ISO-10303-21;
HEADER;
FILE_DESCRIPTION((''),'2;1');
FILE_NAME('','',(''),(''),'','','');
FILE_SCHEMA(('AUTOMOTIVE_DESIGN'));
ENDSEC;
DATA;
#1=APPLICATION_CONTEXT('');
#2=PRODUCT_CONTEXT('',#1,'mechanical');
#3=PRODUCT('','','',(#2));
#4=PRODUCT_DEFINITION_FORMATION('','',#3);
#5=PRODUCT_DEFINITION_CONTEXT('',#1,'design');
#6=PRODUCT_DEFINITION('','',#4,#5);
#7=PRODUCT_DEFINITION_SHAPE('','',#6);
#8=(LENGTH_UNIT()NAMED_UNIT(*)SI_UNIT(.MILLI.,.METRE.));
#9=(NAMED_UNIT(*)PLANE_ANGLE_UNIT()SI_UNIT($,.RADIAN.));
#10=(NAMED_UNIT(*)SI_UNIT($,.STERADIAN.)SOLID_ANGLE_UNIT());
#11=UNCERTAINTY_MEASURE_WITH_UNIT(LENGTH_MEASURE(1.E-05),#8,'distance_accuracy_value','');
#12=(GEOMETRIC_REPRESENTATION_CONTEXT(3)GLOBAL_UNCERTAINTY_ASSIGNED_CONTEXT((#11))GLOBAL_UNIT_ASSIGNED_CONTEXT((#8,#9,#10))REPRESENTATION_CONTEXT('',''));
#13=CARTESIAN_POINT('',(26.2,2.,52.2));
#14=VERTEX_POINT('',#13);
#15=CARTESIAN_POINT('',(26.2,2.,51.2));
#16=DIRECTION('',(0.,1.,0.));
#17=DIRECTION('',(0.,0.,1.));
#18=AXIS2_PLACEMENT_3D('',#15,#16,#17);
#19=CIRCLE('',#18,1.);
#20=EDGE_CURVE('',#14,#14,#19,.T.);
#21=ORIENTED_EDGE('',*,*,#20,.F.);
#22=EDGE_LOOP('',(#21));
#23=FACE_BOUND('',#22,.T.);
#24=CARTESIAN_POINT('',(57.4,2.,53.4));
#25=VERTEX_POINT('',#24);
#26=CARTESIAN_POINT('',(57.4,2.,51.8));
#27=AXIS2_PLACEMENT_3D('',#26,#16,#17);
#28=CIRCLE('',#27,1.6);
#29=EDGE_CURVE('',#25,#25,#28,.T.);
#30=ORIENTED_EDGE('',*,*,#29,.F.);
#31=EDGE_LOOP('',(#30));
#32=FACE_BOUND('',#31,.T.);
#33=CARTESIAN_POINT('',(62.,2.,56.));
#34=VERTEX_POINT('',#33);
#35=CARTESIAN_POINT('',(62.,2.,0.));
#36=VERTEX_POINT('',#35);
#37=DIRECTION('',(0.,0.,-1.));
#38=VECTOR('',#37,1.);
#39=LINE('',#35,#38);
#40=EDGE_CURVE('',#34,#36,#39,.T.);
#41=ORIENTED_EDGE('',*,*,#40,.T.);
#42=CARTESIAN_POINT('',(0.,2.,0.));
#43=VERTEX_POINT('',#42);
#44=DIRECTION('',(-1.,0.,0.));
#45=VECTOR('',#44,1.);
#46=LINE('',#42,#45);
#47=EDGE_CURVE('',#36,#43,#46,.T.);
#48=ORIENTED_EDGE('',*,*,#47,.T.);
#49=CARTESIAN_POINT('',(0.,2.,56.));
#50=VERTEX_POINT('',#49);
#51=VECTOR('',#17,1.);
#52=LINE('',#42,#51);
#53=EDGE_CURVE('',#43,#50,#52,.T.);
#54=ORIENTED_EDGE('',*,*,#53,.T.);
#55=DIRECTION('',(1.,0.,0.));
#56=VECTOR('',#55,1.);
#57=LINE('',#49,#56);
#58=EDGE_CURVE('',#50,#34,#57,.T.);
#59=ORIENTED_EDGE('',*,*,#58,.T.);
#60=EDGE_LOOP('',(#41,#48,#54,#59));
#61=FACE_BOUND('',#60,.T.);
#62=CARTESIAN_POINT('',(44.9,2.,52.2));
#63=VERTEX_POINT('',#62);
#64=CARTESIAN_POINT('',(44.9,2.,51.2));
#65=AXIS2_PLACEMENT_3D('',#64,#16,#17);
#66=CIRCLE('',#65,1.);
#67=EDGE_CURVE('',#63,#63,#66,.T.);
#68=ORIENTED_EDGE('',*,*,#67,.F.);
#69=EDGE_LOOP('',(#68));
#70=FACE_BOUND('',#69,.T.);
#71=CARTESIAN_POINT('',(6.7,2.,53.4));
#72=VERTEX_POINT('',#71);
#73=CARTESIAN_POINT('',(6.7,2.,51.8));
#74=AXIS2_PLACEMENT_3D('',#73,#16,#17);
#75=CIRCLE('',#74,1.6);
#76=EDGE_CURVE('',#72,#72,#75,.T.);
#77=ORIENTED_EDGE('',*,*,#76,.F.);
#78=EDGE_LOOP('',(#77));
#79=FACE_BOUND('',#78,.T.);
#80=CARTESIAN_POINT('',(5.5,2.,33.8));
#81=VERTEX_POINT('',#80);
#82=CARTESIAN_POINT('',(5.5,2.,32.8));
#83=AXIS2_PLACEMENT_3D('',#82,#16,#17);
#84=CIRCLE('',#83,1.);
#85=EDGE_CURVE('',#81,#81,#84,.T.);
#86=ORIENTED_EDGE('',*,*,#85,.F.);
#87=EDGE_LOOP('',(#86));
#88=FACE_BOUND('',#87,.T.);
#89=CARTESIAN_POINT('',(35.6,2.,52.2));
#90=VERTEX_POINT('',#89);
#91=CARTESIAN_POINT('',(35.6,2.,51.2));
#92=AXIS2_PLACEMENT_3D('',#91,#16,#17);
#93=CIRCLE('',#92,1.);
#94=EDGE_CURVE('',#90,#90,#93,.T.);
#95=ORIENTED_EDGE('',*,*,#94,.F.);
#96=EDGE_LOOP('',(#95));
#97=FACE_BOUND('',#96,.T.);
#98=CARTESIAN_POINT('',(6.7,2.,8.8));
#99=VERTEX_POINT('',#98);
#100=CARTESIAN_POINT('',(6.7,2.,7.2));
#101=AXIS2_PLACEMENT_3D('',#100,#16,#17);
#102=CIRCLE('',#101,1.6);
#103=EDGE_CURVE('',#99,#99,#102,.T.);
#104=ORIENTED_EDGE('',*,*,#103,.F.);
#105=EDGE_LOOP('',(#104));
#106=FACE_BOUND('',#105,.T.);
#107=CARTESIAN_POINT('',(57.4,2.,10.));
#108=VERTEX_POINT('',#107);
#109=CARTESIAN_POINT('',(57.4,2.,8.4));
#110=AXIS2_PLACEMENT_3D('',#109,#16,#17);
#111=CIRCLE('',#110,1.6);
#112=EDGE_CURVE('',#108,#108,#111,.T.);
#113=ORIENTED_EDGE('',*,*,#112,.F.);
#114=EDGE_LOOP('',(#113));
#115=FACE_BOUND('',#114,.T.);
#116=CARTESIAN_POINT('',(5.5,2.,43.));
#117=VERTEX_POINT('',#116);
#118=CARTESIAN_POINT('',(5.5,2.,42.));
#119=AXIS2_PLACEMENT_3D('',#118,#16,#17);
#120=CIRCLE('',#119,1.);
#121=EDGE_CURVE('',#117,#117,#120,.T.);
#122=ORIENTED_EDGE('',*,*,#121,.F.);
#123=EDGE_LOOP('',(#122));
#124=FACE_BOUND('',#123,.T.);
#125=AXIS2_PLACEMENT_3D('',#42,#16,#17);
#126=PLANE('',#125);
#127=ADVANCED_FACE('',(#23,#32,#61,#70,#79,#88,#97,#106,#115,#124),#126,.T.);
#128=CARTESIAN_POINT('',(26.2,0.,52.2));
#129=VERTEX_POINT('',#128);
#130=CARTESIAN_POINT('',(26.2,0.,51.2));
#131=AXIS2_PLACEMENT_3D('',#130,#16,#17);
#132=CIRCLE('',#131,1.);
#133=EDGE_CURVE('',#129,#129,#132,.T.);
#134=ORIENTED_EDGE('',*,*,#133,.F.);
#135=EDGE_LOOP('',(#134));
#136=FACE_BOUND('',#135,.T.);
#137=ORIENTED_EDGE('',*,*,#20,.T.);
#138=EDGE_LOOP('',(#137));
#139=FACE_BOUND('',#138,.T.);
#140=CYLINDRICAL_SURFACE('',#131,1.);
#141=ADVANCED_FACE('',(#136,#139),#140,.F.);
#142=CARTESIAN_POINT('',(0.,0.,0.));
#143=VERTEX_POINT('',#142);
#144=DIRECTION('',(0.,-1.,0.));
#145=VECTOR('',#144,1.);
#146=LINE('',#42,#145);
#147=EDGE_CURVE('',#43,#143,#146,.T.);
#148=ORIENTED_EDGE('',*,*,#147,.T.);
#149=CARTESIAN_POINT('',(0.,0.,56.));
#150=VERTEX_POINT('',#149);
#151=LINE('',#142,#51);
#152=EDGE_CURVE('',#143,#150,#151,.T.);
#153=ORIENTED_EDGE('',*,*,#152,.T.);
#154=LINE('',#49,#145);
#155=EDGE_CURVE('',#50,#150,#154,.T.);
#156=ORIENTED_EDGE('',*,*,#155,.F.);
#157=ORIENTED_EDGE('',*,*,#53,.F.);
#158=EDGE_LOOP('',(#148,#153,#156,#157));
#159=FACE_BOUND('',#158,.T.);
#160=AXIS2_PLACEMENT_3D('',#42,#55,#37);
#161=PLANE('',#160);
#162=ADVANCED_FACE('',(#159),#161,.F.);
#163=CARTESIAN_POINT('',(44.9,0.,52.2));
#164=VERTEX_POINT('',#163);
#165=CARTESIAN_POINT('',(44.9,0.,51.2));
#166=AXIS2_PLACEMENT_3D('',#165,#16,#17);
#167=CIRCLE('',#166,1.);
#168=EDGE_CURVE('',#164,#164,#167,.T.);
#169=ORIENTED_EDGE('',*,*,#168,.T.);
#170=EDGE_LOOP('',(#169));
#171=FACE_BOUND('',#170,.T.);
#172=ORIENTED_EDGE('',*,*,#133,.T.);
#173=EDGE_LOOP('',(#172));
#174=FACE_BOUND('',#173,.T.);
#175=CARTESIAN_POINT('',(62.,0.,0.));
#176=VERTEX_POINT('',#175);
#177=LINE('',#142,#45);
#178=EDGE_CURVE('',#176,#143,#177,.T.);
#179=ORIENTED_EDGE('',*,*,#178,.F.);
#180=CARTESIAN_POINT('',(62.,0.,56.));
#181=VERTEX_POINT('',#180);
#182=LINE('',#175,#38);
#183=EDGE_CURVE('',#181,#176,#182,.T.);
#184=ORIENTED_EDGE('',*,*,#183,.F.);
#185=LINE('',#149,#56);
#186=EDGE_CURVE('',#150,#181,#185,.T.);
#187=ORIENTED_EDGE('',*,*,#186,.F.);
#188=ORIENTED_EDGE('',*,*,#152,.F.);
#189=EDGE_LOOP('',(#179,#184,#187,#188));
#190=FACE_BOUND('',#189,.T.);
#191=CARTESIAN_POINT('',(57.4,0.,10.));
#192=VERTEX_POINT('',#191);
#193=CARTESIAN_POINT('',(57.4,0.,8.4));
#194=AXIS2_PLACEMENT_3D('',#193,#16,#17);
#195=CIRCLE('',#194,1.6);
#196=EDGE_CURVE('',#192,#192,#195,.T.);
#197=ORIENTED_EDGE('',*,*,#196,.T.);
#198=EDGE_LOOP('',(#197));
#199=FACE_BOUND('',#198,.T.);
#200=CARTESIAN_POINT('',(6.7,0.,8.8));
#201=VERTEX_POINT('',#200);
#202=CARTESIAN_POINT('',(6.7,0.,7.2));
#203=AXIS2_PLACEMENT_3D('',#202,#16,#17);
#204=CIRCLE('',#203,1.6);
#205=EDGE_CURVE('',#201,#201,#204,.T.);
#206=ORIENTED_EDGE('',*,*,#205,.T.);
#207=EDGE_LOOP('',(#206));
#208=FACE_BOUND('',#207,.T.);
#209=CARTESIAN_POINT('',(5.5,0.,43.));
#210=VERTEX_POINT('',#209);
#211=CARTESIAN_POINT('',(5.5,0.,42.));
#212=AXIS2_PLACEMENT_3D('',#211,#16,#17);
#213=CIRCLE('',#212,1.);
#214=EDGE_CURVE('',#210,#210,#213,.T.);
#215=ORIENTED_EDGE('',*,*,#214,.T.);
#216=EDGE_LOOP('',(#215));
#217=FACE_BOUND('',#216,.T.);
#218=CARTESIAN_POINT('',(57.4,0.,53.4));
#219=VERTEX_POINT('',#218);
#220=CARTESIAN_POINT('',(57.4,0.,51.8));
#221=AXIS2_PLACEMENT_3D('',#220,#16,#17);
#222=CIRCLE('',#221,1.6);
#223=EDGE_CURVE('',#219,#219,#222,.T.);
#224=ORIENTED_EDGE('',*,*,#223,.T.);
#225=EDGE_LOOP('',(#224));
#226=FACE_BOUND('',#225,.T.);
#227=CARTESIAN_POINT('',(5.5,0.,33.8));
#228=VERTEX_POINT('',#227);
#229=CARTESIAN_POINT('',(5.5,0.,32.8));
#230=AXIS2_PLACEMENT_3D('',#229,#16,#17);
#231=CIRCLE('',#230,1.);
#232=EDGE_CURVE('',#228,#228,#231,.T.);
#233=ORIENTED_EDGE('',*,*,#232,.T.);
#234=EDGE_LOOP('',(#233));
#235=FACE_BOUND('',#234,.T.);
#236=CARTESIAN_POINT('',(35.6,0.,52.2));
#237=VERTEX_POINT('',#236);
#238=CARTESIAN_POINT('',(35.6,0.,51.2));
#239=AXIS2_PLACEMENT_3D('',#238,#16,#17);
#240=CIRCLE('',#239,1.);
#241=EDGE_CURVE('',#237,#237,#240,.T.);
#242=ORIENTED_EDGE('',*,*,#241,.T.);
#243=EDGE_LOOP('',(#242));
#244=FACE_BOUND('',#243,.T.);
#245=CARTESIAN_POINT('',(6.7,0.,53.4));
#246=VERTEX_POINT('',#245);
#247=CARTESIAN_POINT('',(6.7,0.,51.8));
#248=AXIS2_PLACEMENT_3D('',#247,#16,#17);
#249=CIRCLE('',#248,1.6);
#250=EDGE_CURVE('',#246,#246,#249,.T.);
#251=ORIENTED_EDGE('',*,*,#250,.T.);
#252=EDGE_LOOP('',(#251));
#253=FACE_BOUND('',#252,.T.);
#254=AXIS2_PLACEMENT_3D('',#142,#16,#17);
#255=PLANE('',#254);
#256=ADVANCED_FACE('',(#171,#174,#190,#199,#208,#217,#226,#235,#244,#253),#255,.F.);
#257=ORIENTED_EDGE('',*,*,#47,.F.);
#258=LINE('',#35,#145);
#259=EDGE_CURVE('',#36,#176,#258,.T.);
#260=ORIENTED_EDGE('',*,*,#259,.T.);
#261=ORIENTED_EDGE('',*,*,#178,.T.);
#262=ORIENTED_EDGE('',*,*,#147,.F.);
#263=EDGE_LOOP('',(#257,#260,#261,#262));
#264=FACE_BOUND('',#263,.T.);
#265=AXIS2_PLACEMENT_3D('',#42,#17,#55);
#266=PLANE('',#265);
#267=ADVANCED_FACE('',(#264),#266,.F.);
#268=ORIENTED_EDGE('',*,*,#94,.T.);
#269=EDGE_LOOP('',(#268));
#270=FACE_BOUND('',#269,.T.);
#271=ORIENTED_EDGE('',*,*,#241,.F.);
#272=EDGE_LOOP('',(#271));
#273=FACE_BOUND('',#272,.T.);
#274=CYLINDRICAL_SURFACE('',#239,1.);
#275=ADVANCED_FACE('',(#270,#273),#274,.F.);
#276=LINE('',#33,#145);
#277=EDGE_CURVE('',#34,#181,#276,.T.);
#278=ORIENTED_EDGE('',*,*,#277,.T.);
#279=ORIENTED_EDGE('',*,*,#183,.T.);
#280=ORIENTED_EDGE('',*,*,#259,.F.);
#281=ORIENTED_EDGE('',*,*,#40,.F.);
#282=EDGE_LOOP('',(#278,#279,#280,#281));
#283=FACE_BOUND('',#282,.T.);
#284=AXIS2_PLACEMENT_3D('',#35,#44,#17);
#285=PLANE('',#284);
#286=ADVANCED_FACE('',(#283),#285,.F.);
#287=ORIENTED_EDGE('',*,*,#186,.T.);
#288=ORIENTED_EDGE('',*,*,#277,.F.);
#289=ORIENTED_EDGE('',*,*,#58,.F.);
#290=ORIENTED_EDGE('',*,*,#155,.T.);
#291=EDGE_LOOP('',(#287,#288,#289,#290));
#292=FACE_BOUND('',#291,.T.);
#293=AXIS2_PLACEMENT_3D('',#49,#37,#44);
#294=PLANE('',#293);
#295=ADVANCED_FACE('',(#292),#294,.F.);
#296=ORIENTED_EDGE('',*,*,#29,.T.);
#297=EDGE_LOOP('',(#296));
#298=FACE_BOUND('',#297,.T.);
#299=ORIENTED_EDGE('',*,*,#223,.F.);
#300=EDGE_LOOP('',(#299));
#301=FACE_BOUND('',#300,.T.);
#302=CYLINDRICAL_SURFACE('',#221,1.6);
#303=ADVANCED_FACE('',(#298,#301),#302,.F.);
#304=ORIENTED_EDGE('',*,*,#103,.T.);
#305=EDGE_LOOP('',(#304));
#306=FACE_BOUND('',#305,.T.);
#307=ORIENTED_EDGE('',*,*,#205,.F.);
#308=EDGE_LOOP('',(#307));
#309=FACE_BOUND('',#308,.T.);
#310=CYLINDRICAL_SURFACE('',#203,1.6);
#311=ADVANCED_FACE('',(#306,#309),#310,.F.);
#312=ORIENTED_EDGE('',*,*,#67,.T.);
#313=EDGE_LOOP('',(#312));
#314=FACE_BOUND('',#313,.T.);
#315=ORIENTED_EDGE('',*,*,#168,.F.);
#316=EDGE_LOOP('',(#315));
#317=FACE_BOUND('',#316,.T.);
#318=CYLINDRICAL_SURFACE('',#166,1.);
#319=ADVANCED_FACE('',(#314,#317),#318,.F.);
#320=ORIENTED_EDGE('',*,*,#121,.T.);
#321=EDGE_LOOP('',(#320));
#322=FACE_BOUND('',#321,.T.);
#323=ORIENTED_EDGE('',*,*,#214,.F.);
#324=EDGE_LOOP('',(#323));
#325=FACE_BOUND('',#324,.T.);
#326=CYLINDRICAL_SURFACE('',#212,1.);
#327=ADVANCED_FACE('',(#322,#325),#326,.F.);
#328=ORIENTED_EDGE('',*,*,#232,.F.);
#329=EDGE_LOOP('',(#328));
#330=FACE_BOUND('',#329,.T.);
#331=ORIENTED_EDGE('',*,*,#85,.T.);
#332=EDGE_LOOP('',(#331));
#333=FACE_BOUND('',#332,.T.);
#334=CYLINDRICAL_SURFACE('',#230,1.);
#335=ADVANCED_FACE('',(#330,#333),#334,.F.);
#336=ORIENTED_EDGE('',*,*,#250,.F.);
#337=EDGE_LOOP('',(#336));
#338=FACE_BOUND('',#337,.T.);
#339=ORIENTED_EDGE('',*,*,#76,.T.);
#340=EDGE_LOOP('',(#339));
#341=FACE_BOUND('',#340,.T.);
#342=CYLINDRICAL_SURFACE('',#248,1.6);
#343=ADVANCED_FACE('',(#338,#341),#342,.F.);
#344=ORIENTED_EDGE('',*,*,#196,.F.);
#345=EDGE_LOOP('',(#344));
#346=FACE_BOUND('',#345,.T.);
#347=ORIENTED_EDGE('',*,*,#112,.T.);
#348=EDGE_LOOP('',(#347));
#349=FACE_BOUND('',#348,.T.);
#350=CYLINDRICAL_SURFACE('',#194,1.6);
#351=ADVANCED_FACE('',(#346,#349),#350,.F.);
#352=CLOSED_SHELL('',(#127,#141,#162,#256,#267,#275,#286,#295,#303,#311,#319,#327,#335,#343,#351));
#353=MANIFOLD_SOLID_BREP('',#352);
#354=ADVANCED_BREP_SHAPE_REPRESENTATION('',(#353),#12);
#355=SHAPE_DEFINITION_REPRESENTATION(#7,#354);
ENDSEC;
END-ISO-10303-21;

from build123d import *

# Parameters (mm, degrees)
SKETCH_1_W          = 62
SKETCH_1_H          = 56
EXTRUDE_1_DEPTH     = 2
SKETCH_2_R          = 1.6
CUT_EXTRUDE_1_DEPTH = 2
SKETCH_3_R          = 1
CUT_EXTRUDE_2_DEPTH = 84.570329663


with BuildPart() as part:
    # Эскиз1 → Бобышка-Вытянуть1 (new body)
    with BuildSketch(Plane(origin=(0, 0, 0), x_dir=(1, 0, 0), z_dir=(0, 1, 0))):
        with Locations((31, -28)):
            Rectangle(SKETCH_1_W, SKETCH_1_H)
    extrude(amount=EXTRUDE_1_DEPTH)

    # Эскиз2 → Вырез-Вытянуть1 (cut)
    with BuildSketch(Plane(origin=(0, 2, 0), x_dir=(1, 0, 0), z_dir=(0, 1, 0))):
        with Locations(Location((6.7, -7.2, 0), (0, 0, 270))):
            Circle(SKETCH_2_R)
        with Locations(Location((6.7, -51.8, 0), (0, 0, 270))):
            Circle(SKETCH_2_R)
        with Locations(Location((57.4, -51.8, 0), (0, 0, 270))):
            Circle(SKETCH_2_R)
        with Locations(Location((57.4, -8.4, 0), (0, 0, 270))):
            Circle(SKETCH_2_R)
    extrude(amount=-CUT_EXTRUDE_1_DEPTH, mode=Mode.SUBTRACT)

    # Эскиз3 → Вырез-Вытянуть2 (cut, through all)
    with BuildSketch(Plane(origin=(0, 2, 0), x_dir=(1, 0, 0), z_dir=(0, 1, 0))):
        with Locations(Location((5.5, -32.8, 0), (0, 0, 270))):
            Circle(SKETCH_3_R)
        with Locations(Location((5.5, -42, 0), (0, 0, 270))):
            Circle(SKETCH_3_R)
        with Locations(Location((26.2, -51.2, 0), (0, 0, 270))):
            Circle(SKETCH_3_R)
        with Locations(Location((35.6, -51.2, 0), (0, 0, 270))):
            Circle(SKETCH_3_R)
        with Locations(Location((44.9, -51.2, 0), (0, 0, 270))):
            Circle(SKETCH_3_R)
    extrude(amount=-CUT_EXTRUDE_2_DEPTH, mode=Mode.SUBTRACT)


solid = part.part
